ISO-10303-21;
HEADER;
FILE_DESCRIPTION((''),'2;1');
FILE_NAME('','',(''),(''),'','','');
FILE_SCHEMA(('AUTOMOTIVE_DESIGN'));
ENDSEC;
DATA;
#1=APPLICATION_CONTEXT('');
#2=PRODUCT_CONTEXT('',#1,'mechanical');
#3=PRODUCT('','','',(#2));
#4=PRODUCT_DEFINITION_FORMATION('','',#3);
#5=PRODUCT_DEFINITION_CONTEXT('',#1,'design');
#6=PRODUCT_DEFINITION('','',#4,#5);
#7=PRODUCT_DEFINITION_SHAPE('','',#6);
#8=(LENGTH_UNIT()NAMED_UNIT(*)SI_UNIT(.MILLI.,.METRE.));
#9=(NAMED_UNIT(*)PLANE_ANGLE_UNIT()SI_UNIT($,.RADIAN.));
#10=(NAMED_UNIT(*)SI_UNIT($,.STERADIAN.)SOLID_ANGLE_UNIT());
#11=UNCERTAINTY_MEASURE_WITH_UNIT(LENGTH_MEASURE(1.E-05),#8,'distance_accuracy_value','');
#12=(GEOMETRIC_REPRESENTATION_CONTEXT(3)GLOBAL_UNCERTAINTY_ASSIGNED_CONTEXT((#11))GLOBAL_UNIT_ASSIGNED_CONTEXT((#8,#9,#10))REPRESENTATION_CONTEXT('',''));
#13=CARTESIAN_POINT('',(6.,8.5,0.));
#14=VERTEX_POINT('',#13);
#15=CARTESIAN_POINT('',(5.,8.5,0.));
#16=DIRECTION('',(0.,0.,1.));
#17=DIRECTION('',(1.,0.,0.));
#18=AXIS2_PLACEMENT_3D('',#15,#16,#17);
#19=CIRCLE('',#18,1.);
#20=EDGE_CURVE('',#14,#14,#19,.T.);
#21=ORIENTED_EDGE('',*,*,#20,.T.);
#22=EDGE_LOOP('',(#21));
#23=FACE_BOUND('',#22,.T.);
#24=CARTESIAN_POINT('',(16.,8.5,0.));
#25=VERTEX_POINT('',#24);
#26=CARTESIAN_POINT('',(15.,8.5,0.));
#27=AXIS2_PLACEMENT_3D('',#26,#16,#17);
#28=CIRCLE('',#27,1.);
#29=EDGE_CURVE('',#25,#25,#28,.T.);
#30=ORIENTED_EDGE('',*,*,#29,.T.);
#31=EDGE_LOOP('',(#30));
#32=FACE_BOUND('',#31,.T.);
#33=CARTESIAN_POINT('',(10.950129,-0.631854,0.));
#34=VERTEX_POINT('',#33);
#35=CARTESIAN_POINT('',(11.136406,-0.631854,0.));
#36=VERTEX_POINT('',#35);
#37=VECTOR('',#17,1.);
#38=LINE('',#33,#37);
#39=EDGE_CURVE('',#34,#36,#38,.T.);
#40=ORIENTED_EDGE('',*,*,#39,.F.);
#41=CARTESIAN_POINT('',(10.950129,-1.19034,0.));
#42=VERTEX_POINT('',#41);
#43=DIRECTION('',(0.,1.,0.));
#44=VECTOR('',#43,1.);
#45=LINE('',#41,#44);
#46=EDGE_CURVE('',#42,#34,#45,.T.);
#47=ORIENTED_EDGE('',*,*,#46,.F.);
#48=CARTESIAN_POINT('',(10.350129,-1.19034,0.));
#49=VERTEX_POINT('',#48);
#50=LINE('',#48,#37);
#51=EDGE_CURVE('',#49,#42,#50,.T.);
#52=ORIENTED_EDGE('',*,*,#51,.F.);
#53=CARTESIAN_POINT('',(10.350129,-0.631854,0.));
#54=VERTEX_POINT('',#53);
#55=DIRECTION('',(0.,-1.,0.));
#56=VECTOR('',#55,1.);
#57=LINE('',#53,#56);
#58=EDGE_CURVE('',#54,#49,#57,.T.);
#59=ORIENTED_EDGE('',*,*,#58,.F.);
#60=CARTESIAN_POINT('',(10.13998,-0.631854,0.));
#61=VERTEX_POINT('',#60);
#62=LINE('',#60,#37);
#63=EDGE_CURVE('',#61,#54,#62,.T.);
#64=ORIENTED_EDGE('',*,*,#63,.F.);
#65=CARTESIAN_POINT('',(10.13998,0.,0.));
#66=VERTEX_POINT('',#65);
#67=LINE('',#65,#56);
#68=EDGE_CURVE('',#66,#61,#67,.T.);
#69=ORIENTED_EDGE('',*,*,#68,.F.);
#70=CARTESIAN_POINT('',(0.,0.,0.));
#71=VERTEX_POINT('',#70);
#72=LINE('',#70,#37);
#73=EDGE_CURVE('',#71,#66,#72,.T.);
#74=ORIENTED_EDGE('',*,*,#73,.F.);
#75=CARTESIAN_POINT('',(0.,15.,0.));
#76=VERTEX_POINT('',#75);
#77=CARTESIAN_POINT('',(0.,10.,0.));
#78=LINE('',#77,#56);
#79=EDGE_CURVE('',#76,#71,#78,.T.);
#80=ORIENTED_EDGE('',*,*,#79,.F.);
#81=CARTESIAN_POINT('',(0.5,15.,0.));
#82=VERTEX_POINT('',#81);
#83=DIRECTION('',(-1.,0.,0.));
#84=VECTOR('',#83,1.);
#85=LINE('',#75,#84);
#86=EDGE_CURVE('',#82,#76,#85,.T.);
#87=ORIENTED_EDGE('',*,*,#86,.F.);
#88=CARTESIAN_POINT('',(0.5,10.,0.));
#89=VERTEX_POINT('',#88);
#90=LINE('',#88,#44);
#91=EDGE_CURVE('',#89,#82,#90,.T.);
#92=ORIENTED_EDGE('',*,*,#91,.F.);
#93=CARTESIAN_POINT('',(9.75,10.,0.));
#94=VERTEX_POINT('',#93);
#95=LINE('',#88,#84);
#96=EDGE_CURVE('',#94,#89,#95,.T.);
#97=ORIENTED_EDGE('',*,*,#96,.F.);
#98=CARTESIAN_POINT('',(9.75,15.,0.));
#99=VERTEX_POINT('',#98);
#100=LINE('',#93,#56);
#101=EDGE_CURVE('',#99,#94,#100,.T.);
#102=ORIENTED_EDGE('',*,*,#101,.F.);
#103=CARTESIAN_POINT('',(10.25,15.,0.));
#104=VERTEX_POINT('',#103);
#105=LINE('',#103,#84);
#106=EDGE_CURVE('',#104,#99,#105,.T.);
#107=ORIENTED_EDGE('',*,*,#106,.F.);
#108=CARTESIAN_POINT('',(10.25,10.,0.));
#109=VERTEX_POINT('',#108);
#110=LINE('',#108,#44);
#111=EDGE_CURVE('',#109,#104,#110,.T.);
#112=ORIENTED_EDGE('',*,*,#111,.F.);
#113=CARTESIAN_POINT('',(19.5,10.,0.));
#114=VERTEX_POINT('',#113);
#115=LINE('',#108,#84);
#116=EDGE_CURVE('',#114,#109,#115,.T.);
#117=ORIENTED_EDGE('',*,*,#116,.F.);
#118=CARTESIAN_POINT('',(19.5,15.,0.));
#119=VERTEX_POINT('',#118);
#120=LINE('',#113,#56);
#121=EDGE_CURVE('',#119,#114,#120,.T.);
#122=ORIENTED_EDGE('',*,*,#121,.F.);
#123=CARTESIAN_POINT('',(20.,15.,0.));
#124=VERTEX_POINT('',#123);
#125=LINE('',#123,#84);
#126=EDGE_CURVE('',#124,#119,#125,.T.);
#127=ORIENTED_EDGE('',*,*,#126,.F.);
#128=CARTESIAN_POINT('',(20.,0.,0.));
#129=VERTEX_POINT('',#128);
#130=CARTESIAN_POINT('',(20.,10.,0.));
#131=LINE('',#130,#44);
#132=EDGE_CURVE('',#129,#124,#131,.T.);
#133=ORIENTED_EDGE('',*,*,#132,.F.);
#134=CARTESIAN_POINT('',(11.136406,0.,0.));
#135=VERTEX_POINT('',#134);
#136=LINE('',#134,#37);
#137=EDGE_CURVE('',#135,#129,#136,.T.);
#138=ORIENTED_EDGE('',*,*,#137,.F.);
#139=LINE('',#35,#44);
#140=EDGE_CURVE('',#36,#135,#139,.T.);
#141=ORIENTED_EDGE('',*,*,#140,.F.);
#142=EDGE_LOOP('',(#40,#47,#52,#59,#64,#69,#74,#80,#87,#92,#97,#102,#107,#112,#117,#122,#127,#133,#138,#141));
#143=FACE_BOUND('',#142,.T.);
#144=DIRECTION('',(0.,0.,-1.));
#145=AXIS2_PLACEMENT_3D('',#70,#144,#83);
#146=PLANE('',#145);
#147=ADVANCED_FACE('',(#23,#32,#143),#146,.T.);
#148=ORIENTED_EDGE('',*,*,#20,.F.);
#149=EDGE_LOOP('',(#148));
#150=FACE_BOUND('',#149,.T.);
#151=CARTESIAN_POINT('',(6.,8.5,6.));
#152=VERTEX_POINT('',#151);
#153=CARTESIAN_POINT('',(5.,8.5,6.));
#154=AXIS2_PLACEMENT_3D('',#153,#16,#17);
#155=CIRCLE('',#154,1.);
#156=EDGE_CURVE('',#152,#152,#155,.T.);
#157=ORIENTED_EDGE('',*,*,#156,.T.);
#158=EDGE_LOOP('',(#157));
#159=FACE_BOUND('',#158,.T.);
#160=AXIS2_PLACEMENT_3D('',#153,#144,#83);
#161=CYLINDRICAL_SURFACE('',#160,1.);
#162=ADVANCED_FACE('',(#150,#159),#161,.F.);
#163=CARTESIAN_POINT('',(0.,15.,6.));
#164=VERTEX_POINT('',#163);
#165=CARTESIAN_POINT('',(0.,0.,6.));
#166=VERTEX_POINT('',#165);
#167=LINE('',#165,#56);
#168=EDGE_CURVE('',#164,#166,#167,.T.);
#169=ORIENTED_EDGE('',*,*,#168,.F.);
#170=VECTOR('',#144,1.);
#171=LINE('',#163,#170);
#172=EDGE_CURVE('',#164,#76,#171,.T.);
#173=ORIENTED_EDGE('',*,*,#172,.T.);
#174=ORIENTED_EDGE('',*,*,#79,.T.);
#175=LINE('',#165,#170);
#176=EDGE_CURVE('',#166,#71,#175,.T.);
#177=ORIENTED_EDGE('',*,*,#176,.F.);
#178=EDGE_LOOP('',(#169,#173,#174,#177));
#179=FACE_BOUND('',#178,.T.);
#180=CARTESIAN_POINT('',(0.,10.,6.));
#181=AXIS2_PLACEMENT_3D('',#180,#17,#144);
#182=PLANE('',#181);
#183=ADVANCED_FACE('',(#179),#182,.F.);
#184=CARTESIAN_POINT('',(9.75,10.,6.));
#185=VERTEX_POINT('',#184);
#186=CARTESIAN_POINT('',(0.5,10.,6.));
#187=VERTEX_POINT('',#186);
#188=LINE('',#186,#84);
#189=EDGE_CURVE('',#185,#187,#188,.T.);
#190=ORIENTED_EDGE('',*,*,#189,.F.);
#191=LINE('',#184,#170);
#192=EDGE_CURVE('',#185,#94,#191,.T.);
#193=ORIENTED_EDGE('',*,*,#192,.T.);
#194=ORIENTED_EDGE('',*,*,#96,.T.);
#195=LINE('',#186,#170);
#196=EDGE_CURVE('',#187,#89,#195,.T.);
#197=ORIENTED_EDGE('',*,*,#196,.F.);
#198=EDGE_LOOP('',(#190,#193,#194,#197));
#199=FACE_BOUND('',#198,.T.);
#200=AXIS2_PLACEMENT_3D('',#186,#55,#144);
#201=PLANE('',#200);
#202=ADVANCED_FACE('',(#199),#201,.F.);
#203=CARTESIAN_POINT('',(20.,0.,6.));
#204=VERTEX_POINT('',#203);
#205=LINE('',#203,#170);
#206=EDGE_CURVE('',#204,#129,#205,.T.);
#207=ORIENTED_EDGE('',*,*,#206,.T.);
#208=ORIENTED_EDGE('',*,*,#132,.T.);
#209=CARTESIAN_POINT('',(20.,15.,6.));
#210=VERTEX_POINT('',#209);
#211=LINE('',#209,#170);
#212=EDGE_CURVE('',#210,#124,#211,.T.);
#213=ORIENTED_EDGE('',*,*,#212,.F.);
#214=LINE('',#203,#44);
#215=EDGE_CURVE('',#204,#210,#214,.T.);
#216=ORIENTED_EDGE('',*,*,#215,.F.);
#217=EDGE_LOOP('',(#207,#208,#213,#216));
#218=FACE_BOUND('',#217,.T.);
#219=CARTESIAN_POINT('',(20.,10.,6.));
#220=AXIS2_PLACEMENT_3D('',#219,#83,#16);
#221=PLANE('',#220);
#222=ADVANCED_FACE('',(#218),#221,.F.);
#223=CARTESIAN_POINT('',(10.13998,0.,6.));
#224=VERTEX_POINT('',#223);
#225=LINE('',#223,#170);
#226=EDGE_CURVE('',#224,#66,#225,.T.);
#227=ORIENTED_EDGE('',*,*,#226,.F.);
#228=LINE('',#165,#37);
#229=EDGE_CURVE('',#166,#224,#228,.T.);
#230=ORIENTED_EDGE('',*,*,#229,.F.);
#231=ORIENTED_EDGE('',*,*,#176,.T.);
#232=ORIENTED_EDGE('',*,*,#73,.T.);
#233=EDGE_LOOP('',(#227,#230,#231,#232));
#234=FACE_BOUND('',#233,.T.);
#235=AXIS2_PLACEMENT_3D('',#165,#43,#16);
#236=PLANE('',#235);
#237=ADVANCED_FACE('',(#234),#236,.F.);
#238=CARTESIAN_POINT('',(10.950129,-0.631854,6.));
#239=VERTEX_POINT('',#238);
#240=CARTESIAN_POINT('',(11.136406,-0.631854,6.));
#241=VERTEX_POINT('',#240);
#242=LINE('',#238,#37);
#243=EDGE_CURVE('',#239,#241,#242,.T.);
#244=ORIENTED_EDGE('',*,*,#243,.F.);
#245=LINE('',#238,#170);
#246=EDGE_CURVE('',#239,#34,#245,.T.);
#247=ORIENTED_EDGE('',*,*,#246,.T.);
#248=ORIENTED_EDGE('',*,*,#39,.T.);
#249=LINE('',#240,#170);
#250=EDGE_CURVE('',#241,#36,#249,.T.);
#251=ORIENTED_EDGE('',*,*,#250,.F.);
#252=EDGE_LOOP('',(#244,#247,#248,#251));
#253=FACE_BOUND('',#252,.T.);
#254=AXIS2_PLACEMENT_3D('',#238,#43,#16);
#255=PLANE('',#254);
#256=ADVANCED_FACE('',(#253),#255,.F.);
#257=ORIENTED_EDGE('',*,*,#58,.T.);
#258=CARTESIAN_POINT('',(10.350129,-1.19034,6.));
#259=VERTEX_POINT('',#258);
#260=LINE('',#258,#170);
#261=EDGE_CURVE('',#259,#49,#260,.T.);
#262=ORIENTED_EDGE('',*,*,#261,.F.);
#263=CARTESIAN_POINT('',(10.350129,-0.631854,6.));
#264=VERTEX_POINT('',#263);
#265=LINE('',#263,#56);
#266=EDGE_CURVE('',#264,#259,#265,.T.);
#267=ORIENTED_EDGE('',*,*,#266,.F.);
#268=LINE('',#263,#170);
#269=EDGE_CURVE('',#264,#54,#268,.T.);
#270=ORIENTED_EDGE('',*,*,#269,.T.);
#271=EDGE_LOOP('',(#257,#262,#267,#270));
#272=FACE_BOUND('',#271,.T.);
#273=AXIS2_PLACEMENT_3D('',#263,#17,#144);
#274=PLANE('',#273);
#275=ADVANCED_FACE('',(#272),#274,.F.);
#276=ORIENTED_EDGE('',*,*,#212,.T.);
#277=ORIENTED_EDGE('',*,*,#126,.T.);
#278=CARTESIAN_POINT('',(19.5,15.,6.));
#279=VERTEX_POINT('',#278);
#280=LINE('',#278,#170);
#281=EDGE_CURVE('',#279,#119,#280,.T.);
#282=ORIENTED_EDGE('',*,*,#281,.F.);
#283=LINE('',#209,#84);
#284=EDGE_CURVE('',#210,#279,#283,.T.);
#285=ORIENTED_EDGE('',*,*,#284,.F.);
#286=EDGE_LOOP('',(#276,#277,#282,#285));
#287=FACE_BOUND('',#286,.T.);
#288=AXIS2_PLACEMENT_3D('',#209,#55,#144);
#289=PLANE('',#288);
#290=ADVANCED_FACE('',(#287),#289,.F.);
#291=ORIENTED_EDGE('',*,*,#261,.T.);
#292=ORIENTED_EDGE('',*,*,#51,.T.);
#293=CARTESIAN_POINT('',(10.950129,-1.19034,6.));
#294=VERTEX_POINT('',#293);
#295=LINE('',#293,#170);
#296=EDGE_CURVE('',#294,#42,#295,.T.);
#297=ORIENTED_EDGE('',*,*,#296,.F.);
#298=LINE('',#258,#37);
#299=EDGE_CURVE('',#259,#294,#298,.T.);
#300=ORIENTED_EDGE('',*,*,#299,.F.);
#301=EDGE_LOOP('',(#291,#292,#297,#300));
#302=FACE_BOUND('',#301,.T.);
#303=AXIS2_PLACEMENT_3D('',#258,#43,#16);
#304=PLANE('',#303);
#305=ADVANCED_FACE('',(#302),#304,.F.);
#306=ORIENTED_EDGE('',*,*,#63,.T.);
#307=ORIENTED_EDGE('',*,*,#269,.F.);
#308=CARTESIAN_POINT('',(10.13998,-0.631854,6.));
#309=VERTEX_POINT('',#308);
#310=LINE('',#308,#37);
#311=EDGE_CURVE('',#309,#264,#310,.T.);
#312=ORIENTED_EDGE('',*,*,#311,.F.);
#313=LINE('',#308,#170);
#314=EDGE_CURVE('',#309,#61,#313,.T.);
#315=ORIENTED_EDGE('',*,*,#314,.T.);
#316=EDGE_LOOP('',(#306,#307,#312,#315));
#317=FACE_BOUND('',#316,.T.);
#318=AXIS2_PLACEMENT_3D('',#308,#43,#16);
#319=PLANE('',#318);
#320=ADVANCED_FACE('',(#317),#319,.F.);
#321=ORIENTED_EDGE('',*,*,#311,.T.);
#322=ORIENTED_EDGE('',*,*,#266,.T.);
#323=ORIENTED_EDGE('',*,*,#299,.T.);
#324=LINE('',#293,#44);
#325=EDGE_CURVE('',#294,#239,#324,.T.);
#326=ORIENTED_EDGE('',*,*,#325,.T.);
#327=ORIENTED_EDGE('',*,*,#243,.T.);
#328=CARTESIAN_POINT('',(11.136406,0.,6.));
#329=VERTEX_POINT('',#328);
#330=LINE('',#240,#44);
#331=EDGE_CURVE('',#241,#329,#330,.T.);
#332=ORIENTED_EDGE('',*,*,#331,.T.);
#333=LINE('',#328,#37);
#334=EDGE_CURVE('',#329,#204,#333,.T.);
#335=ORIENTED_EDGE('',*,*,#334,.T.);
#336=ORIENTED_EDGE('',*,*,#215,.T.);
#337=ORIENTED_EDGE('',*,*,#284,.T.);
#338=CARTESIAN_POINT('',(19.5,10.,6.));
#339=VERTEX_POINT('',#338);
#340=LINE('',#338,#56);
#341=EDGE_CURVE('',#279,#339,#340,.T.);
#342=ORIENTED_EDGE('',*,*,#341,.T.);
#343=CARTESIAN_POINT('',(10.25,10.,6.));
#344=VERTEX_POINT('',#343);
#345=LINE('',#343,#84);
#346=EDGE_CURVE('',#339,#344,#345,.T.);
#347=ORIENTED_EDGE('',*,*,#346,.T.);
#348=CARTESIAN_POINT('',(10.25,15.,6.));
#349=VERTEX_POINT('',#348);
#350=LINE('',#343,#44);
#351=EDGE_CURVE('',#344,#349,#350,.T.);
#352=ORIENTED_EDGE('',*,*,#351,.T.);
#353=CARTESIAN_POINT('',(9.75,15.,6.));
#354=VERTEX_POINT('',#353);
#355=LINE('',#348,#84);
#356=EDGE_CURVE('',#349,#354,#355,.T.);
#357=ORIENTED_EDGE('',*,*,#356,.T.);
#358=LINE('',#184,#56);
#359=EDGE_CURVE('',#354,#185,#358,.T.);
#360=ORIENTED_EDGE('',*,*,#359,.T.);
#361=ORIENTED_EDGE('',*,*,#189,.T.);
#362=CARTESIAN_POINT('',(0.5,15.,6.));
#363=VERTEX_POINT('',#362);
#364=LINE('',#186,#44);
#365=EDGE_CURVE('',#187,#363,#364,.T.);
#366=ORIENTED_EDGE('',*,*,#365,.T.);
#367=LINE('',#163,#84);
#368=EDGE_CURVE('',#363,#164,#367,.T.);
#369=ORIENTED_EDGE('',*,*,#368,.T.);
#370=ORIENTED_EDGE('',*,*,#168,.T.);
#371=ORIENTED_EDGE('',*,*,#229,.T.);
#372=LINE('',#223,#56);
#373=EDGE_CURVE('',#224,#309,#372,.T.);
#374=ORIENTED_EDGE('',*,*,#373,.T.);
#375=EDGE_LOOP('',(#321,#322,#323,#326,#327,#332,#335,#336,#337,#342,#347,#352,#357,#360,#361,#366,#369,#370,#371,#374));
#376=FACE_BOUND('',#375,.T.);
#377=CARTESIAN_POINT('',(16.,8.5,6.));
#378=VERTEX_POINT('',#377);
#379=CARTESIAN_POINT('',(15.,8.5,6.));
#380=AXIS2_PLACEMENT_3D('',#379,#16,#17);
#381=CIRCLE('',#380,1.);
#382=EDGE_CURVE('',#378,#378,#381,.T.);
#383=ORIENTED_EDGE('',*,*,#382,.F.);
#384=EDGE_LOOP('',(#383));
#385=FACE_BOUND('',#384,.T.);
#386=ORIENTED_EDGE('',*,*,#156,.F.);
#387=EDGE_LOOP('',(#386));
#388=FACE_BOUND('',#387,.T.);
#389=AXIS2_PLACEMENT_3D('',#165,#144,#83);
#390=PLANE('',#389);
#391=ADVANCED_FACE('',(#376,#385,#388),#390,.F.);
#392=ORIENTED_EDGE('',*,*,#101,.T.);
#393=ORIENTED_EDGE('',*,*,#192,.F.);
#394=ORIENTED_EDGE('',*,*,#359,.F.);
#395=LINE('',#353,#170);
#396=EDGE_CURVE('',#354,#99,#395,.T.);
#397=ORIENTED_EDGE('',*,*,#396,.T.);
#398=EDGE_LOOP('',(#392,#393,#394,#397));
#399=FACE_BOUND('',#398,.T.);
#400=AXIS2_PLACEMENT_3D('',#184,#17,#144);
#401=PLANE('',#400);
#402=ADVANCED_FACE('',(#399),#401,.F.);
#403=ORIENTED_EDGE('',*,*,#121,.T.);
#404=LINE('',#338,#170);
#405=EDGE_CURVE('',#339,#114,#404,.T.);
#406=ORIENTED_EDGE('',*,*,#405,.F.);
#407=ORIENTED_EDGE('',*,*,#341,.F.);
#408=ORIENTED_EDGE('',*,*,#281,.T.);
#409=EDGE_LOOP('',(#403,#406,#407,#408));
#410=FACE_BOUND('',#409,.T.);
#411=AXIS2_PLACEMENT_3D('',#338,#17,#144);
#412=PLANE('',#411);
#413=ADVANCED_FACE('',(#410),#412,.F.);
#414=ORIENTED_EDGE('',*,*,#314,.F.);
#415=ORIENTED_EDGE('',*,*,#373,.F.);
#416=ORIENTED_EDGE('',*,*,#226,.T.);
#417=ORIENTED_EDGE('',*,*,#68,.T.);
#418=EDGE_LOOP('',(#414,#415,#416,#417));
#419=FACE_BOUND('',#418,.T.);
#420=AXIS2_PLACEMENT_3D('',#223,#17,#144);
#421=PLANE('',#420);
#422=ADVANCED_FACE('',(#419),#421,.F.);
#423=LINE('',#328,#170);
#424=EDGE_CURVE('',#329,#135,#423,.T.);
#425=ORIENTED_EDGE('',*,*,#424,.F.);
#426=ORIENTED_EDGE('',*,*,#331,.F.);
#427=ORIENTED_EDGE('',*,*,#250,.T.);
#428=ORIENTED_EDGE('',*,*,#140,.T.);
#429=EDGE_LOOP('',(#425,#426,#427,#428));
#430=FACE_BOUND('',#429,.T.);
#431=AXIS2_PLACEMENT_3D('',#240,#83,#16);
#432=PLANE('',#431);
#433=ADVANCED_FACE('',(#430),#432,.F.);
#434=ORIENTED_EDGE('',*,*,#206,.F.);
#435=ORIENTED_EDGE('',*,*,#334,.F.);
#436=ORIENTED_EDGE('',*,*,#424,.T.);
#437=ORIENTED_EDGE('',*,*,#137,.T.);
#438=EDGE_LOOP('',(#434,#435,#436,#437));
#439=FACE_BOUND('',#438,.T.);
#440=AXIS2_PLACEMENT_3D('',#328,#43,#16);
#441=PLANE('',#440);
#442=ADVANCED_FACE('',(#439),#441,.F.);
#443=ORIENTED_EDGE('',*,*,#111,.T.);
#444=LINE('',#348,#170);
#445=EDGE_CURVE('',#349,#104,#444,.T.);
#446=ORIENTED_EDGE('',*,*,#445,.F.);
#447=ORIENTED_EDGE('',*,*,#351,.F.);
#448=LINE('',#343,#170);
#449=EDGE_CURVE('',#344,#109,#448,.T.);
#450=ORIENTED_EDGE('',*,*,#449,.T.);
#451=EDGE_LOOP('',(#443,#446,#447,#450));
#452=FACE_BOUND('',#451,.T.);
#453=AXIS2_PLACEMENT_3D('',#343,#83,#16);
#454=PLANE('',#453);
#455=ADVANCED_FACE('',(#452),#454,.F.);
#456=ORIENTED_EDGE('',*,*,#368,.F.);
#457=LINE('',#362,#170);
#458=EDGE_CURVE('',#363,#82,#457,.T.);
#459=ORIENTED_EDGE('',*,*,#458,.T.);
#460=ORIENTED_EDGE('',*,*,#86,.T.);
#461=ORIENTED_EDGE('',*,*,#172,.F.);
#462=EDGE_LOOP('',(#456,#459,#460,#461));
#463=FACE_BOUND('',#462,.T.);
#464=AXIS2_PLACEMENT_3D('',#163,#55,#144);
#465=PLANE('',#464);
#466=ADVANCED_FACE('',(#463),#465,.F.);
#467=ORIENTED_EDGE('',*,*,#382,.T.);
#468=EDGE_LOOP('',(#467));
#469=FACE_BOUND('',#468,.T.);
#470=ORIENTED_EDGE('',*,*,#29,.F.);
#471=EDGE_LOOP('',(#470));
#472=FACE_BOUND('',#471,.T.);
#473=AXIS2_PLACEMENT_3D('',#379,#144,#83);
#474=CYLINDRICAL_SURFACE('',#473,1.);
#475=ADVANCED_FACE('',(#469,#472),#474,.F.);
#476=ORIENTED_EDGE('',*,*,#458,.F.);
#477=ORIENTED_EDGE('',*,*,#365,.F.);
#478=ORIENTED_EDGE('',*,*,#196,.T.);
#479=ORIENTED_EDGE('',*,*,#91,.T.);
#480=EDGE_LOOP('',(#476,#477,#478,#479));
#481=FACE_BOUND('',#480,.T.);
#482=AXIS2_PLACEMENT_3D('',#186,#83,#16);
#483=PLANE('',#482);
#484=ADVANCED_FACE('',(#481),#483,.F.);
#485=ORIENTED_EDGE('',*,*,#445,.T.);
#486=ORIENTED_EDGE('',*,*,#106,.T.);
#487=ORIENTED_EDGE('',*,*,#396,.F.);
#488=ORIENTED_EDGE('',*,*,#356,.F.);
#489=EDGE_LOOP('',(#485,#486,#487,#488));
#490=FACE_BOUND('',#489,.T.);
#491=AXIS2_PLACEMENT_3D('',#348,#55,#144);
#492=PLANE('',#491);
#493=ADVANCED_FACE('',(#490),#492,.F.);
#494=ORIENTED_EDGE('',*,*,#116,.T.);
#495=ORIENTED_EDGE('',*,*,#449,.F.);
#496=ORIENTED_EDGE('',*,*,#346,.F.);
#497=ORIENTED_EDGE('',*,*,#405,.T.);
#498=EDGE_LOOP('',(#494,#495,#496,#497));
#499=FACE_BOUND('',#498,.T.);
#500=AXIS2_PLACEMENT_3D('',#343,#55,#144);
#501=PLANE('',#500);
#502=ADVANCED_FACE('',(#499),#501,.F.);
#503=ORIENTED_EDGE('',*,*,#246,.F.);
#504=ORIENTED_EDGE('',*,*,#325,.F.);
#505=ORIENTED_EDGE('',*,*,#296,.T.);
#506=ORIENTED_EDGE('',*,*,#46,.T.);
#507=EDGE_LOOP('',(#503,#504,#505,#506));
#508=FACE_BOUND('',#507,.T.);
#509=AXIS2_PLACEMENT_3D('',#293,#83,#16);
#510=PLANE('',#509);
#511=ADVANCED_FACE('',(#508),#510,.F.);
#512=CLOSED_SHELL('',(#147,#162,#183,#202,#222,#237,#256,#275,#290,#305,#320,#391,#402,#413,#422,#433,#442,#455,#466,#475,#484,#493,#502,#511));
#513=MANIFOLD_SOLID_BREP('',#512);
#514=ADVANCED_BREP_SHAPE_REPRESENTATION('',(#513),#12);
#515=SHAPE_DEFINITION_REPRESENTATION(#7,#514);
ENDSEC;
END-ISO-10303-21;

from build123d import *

# Parameters (mm, degrees)
ESQUISSE1_R        = 1
BOSS_EXTRU_1_DEPTH = 6


with BuildPart() as part:
    # Esquisse1 → Boss.-Extru.1 (new body)
    with BuildSketch(Plane.XY):
        Polygon((10.25, 10), (19.5, 10), (19.5, 15), (20, 15), (20, 10), (20, 0), (11.136405684, 0), (11.136405684, -0.631853681), (10.950128603, -0.631853681), (10.950128603, -1.190340031), (10.350128603, -1.190340031), (10.350128603, -0.631853681), (10.139980349, -0.631853681), (10.139980349, 0), (0, 0), (0, 10), (0, 15), (0.5, 15), (0.5, 10), (9.75, 10), (9.75, 15), (10.25, 15), align=None)
        with Locations((5, 8.5)):
            Circle(ESQUISSE1_R, mode=Mode.SUBTRACT)
        with Locations((15, 8.5)):
            Circle(ESQUISSE1_R, mode=Mode.SUBTRACT)
    extrude(amount=BOSS_EXTRU_1_DEPTH)


solid = part.part
